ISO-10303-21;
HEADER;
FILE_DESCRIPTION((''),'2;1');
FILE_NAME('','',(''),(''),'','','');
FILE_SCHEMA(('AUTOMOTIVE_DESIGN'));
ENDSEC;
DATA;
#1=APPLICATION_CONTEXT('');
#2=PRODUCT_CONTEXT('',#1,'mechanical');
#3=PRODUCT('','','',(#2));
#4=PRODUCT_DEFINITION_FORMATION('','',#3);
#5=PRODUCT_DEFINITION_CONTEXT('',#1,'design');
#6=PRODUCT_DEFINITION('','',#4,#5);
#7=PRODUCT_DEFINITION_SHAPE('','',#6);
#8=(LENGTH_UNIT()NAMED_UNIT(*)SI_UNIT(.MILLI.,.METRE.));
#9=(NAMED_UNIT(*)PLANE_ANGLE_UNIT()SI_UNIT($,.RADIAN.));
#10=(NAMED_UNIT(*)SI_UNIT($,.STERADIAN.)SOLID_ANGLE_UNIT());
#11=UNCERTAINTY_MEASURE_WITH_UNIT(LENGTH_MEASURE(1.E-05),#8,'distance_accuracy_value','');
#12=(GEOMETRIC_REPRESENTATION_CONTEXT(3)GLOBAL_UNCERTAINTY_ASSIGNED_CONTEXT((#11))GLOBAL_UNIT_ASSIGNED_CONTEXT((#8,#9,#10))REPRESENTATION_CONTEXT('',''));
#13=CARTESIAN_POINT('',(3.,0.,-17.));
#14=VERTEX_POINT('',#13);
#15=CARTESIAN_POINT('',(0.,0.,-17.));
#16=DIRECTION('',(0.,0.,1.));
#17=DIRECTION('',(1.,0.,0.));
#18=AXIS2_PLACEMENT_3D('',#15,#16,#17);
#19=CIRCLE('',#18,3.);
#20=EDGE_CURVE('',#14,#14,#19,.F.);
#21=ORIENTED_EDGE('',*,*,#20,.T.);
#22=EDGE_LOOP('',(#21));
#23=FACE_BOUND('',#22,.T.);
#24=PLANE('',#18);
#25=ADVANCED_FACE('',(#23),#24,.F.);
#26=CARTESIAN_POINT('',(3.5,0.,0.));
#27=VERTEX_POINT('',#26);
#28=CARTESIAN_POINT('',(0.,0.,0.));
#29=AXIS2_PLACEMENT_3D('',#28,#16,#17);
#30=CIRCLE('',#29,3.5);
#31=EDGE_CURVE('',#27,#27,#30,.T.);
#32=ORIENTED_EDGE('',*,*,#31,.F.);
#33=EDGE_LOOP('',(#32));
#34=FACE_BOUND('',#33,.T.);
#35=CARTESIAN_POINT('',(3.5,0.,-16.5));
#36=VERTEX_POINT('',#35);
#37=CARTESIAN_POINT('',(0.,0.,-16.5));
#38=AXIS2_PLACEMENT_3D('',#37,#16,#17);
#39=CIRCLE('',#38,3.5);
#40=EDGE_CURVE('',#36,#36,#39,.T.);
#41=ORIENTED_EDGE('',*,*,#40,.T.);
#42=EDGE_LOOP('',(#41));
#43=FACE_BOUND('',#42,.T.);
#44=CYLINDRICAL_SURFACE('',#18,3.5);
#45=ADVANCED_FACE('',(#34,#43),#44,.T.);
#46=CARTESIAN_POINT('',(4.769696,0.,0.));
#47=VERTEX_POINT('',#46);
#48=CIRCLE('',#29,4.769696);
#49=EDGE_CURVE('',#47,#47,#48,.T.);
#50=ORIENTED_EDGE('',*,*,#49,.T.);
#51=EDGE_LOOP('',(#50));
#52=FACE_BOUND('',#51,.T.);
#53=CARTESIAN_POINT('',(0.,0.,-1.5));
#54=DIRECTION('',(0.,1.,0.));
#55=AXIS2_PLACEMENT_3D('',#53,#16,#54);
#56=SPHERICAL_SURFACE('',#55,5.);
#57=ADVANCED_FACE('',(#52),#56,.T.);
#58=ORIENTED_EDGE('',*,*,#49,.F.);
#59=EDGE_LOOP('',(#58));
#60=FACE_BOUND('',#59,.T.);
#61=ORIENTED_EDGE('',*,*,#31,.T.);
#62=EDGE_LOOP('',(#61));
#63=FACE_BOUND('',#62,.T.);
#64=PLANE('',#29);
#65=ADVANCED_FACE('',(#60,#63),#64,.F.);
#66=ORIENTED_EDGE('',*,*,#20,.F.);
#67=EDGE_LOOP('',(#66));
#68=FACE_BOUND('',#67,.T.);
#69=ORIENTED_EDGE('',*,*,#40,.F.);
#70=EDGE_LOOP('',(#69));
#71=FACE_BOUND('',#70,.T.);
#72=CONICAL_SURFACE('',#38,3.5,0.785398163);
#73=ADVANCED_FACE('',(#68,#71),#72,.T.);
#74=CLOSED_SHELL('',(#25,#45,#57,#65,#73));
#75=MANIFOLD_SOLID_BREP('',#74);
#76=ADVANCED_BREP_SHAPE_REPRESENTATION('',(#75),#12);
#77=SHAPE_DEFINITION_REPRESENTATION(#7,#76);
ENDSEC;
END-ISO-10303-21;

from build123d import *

# Parameters (mm, degrees)
ESQUISSE1_R          = 3.5
BASE_EXTRUSION_DEPTH = 17
CHANFREIN1_SIZE      = 0.5


with BuildPart() as part:
    # Esquisse1 → Base-Extrusion (new body)
    with BuildSketch(Plane.XY):
        Circle(ESQUISSE1_R)
    extrude(amount=-BASE_EXTRUSION_DEPTH)

    # Esquisse3 → Boss.-Révol.1 (revolve)
    with BuildSketch(Plane(origin=(0, 0, 0), x_dir=(0, 0, -1), z_dir=(1, 0, 0))):
        with BuildLine():
            Line((0, 0), (0, 4.769696007))
            ThreePointArc((0, 4.769696007), (-2.531128874, 2.958039892), (-3.5, 0))
            Line((-3.5, 0), (0, 0))
        make_face()
    revolve(axis=Axis((0, 0, 0), (0, 0, -1)))

    # Chanfrein1
    chanfrein1_edges = [part.edges().sort_by_distance(p)[0] for p in [
        (-3.5, 0, -17),
    ]]
    chamfer(chanfrein1_edges, length=CHANFREIN1_SIZE)


solid = part.part
